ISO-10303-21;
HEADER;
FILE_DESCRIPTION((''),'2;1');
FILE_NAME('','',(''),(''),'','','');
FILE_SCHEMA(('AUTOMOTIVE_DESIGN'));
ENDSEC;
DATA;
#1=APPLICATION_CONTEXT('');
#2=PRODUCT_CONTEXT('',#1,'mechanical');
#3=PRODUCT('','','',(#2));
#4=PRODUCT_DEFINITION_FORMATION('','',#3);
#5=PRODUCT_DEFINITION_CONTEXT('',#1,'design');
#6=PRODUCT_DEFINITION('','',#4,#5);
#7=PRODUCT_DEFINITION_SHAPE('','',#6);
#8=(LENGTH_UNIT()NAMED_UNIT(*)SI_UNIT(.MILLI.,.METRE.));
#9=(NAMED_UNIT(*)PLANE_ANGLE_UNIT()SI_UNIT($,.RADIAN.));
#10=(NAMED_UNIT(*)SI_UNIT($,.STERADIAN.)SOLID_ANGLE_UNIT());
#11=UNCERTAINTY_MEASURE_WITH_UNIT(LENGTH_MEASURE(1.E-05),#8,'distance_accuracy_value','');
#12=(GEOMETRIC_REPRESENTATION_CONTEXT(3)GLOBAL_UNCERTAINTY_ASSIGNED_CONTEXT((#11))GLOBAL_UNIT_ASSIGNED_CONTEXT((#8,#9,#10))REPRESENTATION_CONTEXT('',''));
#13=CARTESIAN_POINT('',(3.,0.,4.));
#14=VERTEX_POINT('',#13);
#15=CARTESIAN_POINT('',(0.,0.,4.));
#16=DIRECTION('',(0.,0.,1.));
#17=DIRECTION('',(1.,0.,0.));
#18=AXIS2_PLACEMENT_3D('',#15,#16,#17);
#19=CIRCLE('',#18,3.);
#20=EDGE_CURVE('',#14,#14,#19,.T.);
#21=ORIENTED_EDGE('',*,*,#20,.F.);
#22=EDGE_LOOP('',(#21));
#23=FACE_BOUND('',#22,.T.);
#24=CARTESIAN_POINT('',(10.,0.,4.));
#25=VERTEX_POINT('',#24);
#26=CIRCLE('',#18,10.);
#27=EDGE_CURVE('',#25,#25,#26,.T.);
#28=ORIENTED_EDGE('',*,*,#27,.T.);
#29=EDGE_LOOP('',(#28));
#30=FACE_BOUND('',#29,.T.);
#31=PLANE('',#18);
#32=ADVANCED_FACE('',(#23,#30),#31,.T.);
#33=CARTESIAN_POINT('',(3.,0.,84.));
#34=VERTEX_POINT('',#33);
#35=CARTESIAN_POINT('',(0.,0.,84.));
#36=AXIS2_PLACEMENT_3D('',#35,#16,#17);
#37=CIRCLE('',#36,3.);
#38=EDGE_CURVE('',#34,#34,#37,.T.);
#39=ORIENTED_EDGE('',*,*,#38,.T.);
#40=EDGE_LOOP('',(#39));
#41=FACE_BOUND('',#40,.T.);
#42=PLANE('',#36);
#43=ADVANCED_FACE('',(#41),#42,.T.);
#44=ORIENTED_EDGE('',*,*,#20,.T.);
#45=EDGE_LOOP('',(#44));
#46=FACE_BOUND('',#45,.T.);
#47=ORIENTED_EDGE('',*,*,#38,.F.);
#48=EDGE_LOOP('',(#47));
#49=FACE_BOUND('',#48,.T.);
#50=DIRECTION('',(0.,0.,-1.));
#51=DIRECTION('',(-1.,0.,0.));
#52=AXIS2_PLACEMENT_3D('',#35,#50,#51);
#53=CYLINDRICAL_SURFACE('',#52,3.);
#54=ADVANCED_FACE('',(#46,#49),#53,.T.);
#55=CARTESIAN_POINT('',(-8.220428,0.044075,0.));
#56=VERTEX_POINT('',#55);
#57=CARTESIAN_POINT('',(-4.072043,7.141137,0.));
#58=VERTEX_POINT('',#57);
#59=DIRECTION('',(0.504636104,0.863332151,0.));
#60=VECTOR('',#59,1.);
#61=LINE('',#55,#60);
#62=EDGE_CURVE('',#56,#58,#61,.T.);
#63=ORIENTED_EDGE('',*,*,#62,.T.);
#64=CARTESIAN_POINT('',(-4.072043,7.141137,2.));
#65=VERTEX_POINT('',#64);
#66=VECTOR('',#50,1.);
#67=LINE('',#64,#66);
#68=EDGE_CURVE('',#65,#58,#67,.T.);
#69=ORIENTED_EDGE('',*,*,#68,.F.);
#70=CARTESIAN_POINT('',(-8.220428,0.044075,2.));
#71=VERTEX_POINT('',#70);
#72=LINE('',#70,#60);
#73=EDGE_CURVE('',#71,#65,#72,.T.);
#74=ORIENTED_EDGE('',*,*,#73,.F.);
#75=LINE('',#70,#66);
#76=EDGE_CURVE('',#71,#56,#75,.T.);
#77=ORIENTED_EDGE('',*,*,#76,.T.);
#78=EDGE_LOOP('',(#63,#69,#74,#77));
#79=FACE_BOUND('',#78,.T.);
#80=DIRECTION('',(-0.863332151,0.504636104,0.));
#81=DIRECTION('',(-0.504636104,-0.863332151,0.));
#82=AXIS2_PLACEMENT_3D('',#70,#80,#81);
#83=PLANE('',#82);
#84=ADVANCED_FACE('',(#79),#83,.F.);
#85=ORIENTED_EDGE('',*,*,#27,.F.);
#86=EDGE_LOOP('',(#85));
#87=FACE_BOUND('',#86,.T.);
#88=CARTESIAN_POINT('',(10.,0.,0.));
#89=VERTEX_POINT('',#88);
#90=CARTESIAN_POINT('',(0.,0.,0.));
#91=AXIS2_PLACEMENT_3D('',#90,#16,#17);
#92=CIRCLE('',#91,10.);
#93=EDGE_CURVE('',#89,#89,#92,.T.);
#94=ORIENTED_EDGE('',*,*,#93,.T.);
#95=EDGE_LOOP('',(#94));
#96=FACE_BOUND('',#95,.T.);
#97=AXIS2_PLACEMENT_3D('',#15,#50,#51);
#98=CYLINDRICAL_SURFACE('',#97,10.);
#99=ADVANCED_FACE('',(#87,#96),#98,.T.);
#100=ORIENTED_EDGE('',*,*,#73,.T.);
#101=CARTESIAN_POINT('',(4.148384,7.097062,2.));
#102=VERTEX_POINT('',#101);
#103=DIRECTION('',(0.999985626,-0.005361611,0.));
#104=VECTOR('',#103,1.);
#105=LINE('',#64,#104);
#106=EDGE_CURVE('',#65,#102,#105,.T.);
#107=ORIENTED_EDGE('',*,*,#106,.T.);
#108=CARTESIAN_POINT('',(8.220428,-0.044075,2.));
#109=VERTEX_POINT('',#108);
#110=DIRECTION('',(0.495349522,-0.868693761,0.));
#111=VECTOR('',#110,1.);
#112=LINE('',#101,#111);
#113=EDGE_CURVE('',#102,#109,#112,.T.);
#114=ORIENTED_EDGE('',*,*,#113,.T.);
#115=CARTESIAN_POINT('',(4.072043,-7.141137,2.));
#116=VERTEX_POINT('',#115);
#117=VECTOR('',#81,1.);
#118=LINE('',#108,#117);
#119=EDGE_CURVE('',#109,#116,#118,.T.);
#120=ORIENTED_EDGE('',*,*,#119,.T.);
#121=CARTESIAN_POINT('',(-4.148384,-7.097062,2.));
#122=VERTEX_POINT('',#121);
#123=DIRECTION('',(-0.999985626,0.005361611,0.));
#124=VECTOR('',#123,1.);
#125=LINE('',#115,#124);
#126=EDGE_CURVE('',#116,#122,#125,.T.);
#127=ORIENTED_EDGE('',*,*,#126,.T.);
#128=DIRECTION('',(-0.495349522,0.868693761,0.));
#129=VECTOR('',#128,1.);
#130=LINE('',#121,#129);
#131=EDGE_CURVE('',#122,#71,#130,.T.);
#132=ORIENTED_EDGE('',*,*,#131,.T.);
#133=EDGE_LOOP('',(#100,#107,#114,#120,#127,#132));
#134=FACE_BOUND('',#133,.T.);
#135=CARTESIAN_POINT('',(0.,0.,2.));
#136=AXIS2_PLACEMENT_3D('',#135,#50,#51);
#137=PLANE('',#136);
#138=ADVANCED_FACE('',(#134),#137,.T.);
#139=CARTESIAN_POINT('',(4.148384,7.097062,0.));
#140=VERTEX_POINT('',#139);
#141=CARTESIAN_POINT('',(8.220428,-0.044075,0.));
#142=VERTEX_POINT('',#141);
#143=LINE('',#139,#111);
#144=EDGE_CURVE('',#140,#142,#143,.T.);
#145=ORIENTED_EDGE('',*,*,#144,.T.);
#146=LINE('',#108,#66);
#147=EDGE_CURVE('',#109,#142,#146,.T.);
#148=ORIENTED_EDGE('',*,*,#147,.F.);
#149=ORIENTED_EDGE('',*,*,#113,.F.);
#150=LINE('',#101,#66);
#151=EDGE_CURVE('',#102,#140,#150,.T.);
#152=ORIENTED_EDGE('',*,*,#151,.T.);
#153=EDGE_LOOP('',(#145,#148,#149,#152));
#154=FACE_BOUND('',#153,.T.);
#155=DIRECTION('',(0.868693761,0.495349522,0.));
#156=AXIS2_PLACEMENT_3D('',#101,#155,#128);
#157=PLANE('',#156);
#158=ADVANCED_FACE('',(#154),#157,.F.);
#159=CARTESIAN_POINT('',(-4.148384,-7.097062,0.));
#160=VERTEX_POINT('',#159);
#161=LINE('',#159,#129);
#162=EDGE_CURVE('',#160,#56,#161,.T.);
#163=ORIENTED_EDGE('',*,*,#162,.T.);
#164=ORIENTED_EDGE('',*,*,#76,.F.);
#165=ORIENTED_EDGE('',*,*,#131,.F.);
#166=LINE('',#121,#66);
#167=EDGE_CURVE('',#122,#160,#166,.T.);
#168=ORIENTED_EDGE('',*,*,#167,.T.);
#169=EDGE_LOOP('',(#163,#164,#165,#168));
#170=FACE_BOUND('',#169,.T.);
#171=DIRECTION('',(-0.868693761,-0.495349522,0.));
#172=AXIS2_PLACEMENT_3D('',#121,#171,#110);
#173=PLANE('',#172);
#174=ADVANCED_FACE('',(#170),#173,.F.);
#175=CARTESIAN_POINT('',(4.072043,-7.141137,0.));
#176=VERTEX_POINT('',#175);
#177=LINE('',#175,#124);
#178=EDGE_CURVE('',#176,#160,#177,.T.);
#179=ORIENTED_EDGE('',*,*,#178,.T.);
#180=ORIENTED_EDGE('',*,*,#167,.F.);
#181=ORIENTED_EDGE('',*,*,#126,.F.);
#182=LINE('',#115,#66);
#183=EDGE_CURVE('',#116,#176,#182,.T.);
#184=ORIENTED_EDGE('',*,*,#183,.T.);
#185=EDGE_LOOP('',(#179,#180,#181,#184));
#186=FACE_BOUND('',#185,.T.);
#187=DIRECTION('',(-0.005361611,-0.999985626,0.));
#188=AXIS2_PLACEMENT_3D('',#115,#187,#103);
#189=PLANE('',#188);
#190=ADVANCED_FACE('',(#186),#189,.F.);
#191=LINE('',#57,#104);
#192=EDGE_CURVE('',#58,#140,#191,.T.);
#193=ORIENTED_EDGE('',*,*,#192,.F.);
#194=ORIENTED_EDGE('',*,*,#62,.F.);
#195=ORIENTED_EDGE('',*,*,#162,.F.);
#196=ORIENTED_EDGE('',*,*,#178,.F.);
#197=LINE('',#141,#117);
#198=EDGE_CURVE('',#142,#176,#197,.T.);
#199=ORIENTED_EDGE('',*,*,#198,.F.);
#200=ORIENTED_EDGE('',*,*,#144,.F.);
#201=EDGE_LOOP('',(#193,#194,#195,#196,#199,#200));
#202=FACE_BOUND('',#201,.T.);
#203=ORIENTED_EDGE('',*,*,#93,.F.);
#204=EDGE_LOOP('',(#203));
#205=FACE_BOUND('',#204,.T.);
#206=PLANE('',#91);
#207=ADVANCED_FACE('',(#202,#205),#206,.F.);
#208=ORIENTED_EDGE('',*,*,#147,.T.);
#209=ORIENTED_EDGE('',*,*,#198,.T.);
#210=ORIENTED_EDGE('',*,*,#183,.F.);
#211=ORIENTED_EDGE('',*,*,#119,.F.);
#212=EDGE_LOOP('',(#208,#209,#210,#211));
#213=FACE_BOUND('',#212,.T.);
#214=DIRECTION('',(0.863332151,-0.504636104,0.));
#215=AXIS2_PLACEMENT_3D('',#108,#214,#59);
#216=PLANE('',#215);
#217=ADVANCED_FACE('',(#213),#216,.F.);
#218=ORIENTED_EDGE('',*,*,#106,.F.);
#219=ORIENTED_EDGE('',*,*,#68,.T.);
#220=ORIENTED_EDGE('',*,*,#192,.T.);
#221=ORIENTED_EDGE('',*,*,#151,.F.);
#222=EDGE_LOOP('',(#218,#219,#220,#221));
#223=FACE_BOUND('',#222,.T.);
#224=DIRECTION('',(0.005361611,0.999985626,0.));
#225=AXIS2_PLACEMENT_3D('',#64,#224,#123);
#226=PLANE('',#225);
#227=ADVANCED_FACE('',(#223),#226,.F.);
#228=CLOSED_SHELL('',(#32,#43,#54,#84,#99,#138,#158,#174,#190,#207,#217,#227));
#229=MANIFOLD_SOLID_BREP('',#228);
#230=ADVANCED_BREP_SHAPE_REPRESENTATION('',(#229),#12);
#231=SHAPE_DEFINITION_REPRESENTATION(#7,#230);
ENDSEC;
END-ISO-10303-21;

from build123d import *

# Parameters (mm, degrees)
SKETCH1_R           = 10
BOSS_EXTRUDE1_DEPTH = 4
SKETCH2_R           = 3
BOSS_EXTRUDE2_DEPTH = 80
CUT_EXTRUDE1_DEPTH  = 2


with BuildPart() as part:
    # Sketch1 → Boss-Extrude1 (new body)
    with BuildSketch(Plane.XY):
        Circle(SKETCH1_R)
    extrude(amount=BOSS_EXTRUDE1_DEPTH)

    # Sketch2 → Boss-Extrude2 (add)
    with BuildSketch(Plane.XY.offset(4)):
        Circle(SKETCH2_R)
    extrude(amount=BOSS_EXTRUDE2_DEPTH)

    # Sketch3 → Cut-Extrude1 (cut)
    with BuildSketch(Plane(origin=(0, 0, 0), x_dir=(-1, 0, 0), z_dir=(0, 0, -1))):
        Polygon((-4.148384256, 7.097061567), (-8.220427737, -0.044075367), (-4.072043481, -7.141136934), (4.148384256, -7.097061567), (8.220427737, 0.044075367), (4.072043481, 7.141136934), align=None)
    extrude(amount=-CUT_EXTRUDE1_DEPTH, mode=Mode.SUBTRACT)


solid = part.part
